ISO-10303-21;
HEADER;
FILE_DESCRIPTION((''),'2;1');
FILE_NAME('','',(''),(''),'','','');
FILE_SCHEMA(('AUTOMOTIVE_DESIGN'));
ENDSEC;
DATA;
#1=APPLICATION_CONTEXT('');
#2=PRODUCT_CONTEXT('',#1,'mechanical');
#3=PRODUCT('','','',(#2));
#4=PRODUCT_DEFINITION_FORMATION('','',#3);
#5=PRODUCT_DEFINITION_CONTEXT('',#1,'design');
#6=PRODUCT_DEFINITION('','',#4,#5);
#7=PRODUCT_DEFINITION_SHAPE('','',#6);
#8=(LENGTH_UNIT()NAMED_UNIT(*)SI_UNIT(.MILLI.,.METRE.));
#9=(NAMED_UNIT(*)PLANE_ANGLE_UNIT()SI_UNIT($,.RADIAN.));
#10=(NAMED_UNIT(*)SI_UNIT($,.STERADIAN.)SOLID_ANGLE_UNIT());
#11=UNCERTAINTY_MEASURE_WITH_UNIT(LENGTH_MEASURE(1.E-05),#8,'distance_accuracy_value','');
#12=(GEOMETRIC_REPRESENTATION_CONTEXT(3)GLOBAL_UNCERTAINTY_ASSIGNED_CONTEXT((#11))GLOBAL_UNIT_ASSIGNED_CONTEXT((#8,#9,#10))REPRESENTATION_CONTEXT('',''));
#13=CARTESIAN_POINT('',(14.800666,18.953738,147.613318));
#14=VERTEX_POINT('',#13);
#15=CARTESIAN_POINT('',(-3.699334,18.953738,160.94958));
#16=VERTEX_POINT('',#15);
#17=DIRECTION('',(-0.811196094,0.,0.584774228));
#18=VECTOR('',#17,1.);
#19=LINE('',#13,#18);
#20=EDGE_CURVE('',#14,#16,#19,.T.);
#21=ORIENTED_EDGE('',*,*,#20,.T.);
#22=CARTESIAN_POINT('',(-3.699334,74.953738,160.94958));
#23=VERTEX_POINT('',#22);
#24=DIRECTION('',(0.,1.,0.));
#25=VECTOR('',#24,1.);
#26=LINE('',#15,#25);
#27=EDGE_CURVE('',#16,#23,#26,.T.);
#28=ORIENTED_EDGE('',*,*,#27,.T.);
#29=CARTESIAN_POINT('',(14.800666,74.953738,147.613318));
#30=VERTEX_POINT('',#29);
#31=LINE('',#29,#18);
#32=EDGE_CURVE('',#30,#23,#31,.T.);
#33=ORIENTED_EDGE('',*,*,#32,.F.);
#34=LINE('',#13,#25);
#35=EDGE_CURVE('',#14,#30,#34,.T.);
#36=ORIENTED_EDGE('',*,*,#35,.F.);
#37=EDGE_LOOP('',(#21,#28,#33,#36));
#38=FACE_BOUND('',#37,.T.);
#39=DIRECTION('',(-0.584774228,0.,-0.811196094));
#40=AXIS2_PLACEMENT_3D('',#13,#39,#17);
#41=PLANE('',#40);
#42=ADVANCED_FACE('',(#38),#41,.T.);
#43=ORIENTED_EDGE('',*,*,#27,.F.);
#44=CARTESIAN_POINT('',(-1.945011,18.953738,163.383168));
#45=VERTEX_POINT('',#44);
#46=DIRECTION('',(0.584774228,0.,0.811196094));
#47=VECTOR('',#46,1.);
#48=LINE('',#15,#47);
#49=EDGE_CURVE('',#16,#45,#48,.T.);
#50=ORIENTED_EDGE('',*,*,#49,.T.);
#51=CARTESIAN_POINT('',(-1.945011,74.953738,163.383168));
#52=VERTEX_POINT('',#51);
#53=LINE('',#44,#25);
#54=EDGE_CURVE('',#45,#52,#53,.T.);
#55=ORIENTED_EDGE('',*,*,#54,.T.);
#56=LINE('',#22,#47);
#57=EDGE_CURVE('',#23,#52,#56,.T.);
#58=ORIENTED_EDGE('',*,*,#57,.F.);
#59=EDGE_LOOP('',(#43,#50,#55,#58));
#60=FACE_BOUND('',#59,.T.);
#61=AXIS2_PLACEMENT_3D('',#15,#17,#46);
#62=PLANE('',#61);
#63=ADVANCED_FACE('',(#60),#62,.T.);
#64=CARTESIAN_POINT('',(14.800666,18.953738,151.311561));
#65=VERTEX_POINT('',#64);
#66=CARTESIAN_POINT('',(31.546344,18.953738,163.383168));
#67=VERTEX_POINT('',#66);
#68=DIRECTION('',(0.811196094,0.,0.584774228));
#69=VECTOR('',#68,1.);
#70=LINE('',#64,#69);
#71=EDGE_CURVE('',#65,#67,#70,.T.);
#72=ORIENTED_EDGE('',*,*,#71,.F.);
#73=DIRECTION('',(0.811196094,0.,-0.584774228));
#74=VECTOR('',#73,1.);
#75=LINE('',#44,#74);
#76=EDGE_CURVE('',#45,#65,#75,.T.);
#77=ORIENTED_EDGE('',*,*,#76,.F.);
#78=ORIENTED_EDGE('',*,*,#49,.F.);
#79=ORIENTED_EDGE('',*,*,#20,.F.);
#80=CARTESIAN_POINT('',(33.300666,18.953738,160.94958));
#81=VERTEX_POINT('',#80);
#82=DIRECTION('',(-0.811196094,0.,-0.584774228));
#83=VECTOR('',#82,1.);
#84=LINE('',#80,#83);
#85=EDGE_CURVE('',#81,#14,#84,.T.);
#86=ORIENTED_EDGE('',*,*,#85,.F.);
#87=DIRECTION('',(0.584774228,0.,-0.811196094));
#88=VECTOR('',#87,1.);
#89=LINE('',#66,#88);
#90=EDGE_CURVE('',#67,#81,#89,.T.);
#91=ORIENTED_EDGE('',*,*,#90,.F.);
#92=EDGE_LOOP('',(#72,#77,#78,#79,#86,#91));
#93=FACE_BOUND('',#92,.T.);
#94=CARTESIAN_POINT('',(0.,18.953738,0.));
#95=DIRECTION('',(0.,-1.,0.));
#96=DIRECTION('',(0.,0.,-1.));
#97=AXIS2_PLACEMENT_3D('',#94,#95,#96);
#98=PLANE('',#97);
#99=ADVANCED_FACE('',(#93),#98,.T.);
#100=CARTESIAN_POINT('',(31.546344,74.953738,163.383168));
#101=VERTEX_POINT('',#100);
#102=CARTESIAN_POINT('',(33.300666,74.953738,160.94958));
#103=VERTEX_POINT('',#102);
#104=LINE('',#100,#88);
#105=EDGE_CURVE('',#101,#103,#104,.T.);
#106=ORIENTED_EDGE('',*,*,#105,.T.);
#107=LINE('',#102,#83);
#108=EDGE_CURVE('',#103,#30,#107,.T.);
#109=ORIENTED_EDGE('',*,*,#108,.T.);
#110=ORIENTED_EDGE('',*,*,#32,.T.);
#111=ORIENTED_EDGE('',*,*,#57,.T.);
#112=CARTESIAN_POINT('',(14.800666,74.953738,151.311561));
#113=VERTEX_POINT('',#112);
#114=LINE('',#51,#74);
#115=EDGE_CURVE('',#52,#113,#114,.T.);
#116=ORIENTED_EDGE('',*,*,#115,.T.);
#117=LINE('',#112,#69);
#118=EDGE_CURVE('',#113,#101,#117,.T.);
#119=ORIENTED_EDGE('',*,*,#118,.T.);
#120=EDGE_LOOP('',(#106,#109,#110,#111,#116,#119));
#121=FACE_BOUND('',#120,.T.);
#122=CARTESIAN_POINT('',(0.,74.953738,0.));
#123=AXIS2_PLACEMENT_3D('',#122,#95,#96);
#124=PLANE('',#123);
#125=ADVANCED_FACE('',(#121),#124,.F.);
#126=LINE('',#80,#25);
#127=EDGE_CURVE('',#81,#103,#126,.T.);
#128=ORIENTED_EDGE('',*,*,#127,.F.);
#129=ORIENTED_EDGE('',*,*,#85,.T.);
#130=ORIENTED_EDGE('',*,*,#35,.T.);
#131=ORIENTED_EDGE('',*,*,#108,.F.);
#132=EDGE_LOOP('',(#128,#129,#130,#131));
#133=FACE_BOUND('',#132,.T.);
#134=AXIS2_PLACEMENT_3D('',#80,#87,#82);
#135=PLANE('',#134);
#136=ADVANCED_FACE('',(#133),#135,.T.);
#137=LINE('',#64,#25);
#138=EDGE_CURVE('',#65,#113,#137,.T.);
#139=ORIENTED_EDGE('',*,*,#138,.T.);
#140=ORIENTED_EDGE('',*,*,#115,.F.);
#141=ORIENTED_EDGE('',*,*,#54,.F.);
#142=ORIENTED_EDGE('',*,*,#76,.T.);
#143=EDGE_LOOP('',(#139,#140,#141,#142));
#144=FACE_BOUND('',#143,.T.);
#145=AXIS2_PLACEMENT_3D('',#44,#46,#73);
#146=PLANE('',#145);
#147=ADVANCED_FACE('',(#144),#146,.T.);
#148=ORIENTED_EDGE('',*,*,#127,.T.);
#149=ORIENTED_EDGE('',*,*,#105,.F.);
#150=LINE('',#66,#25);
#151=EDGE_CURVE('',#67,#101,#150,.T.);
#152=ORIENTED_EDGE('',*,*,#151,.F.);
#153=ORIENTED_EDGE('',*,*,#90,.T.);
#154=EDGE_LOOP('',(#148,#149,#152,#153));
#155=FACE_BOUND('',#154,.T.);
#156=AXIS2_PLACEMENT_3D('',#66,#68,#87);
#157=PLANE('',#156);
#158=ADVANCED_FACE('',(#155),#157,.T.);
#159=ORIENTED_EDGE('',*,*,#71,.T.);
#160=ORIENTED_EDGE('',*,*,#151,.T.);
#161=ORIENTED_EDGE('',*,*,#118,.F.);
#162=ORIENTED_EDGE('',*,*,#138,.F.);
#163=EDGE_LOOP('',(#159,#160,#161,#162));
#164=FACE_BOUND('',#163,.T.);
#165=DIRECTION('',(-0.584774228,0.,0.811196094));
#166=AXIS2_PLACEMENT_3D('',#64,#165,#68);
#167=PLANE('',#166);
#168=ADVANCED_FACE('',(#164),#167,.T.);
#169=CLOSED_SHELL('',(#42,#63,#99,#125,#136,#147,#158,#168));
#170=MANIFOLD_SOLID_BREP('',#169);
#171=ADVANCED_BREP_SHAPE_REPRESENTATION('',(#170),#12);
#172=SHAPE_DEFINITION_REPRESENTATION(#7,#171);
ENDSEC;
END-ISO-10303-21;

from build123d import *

# Parameters (mm, degrees)
BOSS_EXTRUDE1_DEPTH      = 43.5
BOSS_EXTRUDE1_DEPTH_BACK = 12.5


with BuildPart() as part:
    # Sketch1 → Boss-Extrude1 (new, two sides: drawn at the far end of the back side and taken through both)
    with BuildSketch(Plane(origin=(0, 31.453737586, 0), x_dir=(1, 0, 0), z_dir=(0, 1, 0)).offset(-BOSS_EXTRUDE1_DEPTH_BACK)):
        Polygon((-1.945011046, -163.383168224), (14.80066627, -151.311561121), (31.546343586, -163.383168224), (33.30066627, -160.949579944), (14.80066627, -147.61331846), (-3.69933373, -160.949579944), align=None)
    extrude(amount=BOSS_EXTRUDE1_DEPTH + BOSS_EXTRUDE1_DEPTH_BACK)


solid = part.part
